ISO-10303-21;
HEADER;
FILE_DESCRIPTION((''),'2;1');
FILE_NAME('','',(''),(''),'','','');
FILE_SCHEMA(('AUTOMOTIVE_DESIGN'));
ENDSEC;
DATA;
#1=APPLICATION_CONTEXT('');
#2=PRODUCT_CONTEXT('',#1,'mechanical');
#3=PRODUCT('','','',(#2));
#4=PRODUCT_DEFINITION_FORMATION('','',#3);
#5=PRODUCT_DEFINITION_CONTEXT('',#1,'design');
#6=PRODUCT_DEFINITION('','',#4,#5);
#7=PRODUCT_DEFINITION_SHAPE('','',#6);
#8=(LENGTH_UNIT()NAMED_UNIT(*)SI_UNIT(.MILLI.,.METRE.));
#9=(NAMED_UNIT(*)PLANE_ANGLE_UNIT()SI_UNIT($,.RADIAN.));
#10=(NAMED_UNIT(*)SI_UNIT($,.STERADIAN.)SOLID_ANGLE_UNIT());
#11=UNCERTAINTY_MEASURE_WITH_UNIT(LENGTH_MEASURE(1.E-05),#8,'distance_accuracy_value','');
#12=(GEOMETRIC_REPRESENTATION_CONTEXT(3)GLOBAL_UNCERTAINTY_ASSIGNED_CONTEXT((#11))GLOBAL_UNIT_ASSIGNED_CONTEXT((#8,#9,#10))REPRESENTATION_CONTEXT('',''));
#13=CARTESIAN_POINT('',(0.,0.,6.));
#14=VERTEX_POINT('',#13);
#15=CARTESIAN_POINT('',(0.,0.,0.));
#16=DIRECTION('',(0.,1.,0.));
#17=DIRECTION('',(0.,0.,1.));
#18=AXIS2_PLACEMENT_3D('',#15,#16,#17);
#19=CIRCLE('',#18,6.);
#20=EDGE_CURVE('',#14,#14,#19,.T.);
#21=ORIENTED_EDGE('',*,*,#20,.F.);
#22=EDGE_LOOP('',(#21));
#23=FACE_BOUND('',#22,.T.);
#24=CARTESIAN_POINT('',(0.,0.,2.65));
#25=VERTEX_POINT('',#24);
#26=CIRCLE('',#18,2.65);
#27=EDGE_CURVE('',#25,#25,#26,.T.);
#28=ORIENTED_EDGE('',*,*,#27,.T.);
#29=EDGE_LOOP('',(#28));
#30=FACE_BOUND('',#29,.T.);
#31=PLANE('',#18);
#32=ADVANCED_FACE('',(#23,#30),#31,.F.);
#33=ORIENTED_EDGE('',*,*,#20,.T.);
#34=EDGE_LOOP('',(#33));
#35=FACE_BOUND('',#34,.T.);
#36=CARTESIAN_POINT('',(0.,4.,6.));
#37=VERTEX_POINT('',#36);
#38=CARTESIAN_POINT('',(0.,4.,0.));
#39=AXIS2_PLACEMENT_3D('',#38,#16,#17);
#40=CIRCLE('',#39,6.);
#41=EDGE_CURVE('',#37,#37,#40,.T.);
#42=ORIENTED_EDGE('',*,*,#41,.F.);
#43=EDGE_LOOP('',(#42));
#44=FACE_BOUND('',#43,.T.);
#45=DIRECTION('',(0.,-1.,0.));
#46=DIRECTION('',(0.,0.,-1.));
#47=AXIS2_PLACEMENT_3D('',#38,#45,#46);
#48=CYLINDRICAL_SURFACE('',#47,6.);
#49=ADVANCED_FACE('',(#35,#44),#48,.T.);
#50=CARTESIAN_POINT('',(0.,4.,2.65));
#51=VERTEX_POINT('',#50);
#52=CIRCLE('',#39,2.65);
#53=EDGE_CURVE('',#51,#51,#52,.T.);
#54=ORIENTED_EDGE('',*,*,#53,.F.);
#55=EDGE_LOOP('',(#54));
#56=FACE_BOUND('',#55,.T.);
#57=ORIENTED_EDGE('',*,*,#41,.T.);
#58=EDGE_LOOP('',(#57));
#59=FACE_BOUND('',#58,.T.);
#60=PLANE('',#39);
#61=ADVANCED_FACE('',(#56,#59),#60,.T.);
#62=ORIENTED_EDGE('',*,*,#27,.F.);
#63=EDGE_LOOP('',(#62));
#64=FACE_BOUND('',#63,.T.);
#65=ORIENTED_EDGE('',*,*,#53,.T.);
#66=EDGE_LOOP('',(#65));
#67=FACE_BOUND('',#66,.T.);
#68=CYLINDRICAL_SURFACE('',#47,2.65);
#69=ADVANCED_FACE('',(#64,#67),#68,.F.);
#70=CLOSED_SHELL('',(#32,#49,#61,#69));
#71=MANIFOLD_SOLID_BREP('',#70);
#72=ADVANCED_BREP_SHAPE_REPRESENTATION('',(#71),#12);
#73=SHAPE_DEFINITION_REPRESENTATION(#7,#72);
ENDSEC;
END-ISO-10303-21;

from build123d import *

# Parameters (mm, degrees)
SKETCH_1_R      = 6
SKETCH_1_R_2    = 2.65
EXTRUDE_1_DEPTH = 4


with BuildPart() as part:
    # 草图1 → 凸台-拉伸1 (new body)
    with BuildSketch(Plane(origin=(0, 0, 0), x_dir=(1, 0, 0), z_dir=(0, 1, 0))):
        Circle(SKETCH_1_R)
        Circle(SKETCH_1_R_2, mode=Mode.SUBTRACT)
    extrude(amount=EXTRUDE_1_DEPTH)


solid = part.part
